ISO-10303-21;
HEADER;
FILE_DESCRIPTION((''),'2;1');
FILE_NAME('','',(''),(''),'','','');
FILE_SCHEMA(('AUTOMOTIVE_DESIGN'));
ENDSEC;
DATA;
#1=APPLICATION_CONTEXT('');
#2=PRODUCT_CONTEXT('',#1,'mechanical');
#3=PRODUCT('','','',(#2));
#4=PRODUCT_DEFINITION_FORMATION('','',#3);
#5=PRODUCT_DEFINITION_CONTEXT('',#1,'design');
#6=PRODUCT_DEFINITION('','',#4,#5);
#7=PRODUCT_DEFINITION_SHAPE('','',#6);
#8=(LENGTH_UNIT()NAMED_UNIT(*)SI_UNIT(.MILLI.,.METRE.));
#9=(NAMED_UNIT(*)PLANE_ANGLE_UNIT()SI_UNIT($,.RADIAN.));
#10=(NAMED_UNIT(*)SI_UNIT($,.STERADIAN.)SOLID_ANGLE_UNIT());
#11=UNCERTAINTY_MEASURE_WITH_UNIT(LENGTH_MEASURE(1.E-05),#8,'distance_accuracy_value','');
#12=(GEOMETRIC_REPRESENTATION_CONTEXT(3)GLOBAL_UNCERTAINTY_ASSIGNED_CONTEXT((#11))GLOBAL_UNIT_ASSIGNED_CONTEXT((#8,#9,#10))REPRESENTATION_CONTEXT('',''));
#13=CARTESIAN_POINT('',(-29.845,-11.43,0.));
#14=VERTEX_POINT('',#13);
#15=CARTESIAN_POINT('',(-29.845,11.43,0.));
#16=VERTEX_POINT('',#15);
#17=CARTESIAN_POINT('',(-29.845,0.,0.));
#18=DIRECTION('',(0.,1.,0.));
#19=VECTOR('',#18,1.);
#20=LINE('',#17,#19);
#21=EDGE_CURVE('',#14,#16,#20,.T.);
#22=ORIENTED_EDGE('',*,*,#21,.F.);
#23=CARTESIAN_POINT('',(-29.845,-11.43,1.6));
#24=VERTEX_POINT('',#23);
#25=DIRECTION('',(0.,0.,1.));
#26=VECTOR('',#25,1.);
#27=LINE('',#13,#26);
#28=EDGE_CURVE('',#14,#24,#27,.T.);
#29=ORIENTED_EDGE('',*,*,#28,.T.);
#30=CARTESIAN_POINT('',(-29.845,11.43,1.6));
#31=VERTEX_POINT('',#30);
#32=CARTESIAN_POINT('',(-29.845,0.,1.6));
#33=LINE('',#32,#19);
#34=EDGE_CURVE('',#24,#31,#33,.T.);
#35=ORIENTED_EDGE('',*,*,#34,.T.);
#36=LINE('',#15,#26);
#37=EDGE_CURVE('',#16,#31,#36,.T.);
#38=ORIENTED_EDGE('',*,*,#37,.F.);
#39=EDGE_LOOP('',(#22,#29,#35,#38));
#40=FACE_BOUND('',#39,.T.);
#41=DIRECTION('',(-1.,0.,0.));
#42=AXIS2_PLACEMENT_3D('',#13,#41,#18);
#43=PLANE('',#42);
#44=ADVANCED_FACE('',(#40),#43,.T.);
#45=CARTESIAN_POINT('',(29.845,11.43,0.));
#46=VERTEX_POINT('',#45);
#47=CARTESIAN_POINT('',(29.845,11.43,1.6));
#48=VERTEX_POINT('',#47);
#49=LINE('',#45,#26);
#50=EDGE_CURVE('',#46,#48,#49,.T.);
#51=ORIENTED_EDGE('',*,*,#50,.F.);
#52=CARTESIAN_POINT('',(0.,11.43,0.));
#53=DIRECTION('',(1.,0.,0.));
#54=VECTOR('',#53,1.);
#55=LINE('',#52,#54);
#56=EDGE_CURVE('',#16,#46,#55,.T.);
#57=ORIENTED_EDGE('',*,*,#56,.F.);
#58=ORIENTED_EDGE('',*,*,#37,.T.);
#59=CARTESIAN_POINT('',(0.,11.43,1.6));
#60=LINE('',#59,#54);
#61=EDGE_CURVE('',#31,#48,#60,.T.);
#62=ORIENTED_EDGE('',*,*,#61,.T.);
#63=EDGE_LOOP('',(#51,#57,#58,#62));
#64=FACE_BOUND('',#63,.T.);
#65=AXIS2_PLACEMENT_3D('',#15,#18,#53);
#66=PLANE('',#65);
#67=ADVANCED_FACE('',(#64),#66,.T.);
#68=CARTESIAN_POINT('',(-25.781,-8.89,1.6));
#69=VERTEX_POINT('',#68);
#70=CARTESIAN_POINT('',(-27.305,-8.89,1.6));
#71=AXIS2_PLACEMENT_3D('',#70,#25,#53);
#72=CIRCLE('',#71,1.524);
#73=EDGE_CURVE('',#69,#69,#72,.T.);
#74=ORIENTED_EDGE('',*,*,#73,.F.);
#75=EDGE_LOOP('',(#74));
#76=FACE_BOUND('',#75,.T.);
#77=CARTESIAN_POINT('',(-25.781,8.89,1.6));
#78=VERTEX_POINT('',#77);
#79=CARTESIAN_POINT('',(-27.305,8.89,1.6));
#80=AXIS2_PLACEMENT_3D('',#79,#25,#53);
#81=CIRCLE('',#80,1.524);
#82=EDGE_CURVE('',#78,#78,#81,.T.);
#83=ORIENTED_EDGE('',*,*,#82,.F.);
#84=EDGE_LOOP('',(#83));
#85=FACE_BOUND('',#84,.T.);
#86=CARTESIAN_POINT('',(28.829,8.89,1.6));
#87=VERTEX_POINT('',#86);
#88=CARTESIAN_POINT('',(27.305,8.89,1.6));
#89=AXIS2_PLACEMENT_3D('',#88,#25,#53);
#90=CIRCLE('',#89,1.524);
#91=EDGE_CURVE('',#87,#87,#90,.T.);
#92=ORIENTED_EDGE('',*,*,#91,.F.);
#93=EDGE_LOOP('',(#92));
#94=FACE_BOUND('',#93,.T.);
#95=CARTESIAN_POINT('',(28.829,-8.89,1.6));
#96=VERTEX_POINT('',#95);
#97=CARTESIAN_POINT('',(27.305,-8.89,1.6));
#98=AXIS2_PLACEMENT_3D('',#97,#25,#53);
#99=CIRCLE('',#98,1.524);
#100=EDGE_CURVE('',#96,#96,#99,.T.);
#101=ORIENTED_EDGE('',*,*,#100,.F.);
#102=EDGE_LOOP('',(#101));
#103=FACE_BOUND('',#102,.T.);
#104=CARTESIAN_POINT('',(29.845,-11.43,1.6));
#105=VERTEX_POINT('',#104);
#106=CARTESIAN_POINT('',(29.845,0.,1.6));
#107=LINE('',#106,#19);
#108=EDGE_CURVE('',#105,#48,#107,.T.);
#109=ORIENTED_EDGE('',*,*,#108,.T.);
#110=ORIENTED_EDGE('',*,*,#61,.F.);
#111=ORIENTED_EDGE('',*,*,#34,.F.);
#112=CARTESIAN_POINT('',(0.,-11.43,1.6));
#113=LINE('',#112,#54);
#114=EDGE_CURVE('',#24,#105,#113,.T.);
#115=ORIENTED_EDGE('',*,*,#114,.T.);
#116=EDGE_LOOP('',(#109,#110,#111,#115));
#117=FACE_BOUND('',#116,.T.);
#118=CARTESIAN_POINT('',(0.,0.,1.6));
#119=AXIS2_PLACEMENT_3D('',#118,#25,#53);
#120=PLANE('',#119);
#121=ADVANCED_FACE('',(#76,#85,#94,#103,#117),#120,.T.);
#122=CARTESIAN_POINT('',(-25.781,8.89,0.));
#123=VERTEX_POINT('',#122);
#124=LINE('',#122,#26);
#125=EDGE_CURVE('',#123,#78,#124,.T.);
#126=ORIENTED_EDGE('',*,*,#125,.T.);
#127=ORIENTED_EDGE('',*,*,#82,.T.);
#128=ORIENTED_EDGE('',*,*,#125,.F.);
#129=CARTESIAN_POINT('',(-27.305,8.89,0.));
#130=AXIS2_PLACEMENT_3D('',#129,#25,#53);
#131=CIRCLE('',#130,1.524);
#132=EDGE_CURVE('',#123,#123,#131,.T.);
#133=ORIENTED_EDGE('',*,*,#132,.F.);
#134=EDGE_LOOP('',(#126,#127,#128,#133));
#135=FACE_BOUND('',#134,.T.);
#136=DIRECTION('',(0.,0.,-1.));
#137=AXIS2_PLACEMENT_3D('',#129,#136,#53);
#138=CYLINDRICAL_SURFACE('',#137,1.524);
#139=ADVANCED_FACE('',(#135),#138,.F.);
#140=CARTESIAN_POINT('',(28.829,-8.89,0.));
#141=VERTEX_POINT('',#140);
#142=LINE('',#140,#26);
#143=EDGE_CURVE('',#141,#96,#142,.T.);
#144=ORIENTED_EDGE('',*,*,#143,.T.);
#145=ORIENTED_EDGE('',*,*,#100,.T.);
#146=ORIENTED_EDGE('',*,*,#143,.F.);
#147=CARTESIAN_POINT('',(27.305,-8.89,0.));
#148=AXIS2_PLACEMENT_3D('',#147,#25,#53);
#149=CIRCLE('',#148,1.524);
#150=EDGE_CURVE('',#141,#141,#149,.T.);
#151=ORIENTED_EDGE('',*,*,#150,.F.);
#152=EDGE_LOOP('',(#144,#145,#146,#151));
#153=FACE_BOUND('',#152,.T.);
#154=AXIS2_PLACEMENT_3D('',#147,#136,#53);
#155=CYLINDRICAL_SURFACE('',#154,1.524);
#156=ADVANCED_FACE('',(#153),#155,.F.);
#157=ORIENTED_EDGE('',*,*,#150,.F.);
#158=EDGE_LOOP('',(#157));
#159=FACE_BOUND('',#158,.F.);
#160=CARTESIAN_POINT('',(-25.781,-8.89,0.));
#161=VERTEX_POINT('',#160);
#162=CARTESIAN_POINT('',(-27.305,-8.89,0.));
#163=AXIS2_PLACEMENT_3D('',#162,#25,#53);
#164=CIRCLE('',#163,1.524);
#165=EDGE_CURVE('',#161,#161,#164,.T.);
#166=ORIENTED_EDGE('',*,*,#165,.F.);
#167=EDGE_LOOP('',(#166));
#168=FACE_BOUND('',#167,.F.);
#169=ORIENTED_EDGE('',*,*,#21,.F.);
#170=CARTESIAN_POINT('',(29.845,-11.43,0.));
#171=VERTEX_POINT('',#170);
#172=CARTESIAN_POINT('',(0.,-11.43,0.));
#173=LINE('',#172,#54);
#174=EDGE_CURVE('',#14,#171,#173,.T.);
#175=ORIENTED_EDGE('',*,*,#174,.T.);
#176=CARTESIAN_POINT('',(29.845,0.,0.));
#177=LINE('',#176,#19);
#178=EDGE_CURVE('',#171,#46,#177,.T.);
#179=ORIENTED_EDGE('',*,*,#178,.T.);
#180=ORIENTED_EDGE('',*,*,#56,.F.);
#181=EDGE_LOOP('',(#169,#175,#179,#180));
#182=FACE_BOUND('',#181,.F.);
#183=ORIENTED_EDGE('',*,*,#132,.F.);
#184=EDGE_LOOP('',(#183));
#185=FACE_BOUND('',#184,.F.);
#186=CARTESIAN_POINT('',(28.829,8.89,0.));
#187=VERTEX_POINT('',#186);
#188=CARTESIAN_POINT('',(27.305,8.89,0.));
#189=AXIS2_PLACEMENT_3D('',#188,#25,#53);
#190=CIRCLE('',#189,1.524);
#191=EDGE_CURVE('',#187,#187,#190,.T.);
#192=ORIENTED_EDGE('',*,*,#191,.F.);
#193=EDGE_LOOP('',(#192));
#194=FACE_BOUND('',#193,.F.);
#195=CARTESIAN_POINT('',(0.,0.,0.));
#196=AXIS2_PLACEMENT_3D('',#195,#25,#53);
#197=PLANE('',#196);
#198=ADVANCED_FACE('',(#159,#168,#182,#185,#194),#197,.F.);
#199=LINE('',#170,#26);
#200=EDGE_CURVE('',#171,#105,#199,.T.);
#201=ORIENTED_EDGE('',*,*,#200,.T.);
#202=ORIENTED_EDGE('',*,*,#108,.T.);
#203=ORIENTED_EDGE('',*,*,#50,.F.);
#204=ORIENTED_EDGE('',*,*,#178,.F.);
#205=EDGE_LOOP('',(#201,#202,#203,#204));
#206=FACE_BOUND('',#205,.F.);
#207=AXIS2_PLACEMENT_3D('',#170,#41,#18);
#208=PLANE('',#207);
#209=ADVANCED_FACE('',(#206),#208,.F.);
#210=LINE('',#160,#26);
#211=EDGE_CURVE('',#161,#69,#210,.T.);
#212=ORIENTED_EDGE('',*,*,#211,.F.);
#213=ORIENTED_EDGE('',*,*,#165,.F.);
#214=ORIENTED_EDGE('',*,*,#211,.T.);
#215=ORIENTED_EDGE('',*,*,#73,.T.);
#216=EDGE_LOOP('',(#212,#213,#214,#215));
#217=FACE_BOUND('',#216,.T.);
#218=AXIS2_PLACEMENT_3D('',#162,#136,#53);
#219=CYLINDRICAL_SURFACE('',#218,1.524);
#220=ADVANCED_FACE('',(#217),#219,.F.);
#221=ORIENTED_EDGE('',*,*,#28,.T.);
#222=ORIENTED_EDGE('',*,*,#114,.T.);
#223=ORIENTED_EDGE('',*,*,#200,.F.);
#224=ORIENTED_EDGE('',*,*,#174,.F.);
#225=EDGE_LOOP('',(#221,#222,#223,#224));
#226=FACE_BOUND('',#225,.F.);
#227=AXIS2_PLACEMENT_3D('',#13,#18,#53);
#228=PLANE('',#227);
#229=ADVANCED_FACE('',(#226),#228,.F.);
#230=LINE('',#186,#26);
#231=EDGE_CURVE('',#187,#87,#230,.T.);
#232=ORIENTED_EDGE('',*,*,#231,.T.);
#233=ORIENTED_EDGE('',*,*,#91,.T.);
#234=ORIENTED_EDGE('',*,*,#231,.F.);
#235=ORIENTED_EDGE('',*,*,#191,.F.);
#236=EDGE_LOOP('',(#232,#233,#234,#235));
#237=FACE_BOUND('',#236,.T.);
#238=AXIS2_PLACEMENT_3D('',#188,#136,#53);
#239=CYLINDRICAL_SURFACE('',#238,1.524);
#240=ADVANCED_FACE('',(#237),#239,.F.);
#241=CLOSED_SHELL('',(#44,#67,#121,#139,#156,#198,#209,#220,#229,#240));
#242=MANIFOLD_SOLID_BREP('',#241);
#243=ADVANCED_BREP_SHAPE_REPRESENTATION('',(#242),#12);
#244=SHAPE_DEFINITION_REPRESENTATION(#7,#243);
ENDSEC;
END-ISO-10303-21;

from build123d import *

# Parameters (mm, degrees)
SKETCH_W  = 59.69
SKETCH_H  = 22.86
SKETCH_R  = 1.524
PAD_DEPTH = 1.6


with BuildPart() as part:
    # Sketch → Pad (new body)
    with BuildSketch(Plane.XY):
        Rectangle(SKETCH_W, SKETCH_H)
        with Locations((-27.305, 8.89)):
            Circle(SKETCH_R, mode=Mode.SUBTRACT)
        with Locations((-27.305, -8.89)):
            Circle(SKETCH_R, mode=Mode.SUBTRACT)
        with Locations((27.305, -8.89)):
            Circle(SKETCH_R, mode=Mode.SUBTRACT)
        with Locations((27.305, 8.89)):
            Circle(SKETCH_R, mode=Mode.SUBTRACT)
    extrude(amount=PAD_DEPTH)


solid = part.part
